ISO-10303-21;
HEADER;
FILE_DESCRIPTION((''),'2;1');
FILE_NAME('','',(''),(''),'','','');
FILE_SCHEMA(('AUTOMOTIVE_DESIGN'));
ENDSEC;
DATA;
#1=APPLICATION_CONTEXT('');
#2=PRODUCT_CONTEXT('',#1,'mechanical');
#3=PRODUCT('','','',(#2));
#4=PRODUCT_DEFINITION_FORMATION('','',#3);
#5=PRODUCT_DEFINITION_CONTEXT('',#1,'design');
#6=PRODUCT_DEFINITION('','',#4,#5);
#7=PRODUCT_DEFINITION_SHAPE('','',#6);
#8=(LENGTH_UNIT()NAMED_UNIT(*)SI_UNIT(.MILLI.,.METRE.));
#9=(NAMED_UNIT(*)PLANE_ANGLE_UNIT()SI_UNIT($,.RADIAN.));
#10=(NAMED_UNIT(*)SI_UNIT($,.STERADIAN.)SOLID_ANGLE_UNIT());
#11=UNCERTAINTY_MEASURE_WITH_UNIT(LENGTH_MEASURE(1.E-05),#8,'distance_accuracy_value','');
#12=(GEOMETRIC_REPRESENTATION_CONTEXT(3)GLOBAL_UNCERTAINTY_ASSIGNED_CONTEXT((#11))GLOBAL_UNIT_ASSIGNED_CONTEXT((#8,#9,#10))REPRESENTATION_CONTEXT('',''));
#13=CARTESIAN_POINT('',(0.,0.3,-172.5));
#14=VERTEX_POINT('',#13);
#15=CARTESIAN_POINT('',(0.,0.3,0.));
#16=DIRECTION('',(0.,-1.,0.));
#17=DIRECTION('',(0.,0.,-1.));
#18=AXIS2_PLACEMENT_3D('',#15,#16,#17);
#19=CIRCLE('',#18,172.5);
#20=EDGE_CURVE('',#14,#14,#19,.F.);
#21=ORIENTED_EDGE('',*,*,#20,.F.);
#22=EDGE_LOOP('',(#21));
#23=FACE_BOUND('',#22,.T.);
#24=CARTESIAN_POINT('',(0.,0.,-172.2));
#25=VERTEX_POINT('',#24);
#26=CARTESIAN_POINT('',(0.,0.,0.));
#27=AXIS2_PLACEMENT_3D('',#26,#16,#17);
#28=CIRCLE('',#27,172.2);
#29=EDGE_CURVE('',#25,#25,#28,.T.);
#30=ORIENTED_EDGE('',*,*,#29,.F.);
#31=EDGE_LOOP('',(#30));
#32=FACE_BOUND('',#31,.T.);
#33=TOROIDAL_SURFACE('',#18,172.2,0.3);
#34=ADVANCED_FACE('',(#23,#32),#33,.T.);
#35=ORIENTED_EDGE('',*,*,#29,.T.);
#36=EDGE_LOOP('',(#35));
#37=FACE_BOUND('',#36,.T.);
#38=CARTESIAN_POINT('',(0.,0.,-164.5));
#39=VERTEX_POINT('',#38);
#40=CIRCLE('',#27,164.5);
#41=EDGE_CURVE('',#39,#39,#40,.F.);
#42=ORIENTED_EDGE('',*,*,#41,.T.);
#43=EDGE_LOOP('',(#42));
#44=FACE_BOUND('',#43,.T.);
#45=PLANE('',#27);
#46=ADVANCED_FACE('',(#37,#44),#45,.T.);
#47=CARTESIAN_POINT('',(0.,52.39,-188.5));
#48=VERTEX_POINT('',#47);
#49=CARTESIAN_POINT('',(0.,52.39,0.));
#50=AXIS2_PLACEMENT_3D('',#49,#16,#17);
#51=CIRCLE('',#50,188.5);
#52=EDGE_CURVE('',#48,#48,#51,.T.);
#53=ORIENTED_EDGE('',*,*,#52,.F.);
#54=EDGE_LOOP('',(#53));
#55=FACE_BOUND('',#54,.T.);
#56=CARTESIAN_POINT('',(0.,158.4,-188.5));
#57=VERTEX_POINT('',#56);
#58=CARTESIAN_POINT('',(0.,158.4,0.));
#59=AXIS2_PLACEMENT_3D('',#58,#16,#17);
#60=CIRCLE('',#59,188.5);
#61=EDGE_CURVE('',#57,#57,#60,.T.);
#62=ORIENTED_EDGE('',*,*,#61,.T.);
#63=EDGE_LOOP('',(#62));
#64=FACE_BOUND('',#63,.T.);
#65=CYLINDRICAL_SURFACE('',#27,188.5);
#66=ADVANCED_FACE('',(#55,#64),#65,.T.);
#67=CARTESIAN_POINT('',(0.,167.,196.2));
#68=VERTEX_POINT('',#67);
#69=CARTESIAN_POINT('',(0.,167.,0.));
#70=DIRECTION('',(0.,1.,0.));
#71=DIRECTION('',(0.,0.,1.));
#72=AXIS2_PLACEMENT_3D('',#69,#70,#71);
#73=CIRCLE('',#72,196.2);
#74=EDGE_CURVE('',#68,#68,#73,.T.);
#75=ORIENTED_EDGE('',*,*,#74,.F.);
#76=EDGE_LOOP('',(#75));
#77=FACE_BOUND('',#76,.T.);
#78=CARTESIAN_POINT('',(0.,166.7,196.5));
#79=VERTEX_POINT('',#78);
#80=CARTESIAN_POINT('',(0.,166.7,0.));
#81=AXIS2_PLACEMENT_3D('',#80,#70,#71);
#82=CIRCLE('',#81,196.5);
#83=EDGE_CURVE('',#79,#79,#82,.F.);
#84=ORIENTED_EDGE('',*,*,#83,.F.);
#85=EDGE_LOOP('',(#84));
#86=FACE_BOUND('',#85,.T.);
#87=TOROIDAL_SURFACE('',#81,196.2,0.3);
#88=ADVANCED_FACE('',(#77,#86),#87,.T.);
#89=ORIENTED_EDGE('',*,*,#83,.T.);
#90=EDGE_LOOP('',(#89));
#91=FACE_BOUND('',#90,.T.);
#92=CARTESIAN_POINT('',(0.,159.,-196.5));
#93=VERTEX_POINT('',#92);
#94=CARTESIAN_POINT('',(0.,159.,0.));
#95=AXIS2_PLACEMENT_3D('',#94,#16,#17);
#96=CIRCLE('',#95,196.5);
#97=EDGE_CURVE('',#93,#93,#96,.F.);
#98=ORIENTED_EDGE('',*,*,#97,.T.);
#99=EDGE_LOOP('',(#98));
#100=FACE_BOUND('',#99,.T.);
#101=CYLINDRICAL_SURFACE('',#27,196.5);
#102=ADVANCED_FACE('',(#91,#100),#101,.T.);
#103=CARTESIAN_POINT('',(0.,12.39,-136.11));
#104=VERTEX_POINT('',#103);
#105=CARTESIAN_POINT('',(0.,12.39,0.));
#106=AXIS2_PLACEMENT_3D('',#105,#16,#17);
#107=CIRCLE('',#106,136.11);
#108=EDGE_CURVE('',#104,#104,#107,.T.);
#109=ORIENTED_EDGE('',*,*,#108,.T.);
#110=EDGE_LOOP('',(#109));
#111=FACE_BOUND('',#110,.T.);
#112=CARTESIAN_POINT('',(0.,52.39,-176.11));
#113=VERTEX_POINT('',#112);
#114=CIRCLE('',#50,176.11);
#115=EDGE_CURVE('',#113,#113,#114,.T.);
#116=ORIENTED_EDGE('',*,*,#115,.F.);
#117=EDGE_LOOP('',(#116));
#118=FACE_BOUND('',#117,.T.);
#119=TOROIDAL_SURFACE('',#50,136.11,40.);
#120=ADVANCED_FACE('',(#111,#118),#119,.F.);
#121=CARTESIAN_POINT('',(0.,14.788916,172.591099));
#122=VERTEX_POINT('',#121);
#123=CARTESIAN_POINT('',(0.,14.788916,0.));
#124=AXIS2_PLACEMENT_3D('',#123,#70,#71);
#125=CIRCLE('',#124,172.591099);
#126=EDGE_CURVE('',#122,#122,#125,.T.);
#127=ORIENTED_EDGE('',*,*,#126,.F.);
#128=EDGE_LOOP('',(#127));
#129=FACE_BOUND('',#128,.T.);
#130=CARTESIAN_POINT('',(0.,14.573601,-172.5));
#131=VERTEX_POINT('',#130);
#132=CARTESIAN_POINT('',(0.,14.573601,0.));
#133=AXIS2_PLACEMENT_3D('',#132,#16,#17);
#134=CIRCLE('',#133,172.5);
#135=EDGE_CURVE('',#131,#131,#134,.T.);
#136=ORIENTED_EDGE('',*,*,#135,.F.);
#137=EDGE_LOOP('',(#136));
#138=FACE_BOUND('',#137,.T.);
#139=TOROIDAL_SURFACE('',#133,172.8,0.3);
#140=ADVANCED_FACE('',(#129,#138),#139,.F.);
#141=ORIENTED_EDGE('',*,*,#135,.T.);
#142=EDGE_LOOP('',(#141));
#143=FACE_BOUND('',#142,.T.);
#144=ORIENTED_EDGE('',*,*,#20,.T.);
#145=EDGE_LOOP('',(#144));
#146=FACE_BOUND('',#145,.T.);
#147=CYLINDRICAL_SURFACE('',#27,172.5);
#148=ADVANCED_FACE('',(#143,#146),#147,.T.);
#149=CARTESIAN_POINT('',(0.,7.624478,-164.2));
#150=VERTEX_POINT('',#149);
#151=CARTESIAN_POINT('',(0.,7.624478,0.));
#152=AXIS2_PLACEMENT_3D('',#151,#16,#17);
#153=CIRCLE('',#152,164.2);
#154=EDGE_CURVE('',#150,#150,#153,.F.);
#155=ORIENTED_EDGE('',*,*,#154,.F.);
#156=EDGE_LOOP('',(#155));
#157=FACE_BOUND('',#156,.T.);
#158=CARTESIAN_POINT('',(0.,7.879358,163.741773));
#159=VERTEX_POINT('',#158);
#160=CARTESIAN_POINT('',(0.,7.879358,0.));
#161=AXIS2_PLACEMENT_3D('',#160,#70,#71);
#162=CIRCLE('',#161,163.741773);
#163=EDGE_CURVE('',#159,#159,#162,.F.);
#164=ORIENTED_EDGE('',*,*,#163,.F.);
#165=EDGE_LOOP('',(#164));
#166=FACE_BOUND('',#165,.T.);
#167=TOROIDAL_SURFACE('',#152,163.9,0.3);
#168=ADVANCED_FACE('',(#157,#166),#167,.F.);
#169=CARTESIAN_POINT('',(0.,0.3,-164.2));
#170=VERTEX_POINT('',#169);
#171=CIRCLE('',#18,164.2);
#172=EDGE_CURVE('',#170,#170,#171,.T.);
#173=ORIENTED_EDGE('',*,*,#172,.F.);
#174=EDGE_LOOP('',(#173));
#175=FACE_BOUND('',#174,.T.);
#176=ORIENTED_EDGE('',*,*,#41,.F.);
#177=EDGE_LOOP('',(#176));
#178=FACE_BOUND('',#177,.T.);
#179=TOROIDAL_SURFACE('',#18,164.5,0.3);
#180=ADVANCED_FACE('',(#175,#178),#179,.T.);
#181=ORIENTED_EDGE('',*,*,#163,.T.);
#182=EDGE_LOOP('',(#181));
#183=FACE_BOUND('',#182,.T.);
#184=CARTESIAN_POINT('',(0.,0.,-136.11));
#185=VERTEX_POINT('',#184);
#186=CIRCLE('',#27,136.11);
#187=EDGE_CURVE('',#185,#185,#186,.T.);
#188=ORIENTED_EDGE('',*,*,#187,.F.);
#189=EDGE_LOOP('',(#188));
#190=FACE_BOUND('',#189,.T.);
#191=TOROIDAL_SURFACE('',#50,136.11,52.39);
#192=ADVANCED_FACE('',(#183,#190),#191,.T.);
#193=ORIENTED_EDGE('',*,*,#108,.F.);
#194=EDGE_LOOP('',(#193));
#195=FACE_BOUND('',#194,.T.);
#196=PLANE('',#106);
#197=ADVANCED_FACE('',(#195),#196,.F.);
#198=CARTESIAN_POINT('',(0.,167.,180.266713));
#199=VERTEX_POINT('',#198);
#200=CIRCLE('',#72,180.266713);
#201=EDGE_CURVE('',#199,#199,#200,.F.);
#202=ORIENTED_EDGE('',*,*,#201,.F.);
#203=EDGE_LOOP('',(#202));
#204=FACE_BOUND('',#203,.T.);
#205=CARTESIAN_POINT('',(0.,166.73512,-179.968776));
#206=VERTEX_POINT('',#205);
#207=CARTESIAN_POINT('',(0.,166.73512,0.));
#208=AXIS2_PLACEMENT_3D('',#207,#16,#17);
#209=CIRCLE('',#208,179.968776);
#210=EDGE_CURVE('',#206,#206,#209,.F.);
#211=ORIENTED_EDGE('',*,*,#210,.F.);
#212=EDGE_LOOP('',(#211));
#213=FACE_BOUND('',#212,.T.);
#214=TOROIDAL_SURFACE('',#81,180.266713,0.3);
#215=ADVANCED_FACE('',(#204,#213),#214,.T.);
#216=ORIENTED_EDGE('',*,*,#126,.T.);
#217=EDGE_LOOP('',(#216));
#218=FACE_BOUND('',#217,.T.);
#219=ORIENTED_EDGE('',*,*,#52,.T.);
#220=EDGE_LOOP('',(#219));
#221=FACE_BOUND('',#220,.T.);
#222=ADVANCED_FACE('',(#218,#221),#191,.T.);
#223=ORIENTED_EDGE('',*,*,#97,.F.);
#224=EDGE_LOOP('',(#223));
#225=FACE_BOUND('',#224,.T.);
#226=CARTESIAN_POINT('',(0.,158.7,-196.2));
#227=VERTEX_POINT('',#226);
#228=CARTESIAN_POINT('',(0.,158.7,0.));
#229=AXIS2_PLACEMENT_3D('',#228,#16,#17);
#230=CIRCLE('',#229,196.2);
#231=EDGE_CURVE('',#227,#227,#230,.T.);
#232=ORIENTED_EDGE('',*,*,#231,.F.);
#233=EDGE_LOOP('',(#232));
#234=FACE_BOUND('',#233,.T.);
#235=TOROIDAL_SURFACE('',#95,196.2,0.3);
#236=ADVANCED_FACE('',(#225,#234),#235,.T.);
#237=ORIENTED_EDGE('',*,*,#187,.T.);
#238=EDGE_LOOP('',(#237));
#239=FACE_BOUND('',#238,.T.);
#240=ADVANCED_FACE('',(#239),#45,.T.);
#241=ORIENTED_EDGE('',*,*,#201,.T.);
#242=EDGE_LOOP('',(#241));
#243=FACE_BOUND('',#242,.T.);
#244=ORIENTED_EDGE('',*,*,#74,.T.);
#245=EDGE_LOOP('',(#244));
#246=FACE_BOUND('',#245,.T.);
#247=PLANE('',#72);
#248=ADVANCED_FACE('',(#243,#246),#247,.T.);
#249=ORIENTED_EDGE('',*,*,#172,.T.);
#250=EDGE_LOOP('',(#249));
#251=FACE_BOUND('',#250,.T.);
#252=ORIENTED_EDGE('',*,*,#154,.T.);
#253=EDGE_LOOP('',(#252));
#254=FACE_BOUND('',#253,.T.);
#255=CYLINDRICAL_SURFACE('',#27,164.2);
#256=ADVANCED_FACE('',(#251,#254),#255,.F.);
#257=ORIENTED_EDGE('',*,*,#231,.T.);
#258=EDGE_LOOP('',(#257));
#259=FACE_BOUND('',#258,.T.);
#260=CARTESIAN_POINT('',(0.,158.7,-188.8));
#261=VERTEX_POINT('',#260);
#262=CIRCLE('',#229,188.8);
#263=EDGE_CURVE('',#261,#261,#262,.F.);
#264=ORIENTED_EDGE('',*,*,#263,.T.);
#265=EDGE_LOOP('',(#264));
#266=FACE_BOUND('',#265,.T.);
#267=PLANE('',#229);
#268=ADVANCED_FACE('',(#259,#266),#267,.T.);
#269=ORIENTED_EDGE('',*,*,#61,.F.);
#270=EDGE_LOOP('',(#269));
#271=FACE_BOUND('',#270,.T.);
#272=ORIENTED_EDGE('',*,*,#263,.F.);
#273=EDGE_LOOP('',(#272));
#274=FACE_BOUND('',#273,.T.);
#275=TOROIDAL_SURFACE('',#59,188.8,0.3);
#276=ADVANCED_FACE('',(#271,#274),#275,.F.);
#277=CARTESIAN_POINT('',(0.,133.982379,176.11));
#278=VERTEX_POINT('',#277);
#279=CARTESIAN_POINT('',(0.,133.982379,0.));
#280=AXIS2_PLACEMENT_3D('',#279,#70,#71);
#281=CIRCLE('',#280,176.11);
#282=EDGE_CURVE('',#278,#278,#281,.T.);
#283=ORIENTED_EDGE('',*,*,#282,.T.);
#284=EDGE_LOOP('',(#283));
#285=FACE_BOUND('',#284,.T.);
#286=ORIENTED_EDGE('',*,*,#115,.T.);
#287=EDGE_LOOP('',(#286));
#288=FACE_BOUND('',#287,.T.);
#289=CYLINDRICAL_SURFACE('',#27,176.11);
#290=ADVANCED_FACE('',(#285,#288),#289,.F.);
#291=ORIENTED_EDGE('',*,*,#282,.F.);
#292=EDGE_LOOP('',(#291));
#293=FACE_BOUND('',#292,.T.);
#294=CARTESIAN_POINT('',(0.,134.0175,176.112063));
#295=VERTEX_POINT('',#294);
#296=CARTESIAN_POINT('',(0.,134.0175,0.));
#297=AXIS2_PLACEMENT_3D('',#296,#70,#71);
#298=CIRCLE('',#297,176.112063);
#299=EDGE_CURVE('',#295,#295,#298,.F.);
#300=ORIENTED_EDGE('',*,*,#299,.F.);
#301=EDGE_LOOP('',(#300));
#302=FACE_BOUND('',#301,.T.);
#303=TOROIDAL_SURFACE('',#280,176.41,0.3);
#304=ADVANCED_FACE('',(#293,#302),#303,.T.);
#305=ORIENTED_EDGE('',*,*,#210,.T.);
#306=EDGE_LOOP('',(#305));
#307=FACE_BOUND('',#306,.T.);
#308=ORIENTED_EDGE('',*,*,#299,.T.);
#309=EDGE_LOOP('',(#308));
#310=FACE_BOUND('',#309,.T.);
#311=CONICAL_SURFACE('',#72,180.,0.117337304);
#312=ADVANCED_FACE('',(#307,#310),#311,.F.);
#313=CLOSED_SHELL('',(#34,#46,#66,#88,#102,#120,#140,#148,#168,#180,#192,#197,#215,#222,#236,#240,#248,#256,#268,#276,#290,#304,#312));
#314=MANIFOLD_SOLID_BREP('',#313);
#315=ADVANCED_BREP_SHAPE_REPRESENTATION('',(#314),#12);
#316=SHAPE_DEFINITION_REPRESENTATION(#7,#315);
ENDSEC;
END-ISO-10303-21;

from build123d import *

# Parameters (mm, degrees)
FILLET1_R = 0.3


with BuildPart() as part:
    # Sketch1 → Revolve1 (revolve)
    with BuildSketch(Plane.XY, mode=Mode.PRIVATE) as revolve1_sk:
        with BuildLine():
            ThreePointArc((136.11, 12.39), (164.394271247, 24.105728753), (176.11, 52.39))
            Line((176.11, 52.39), (176.11, 134))
            Line((176.11, 134), (180, 167))
            Line((180, 167), (196.5, 167))
            Line((196.5, 167), (196.5, 158.7))
            Line((196.5, 158.7), (188.5, 158.7))
            Line((188.5, 158.7), (188.5, 52.39))
            ThreePointArc((188.5, 52.39), (173.155324266, 15.344675734), (136.11, 0))
            Line((136.11, 0), (0, 0))
            Line((0, 0), (0, 12.39))
            Line((0, 12.39), (136.11, 12.39))
        make_face()
        with BuildLine():
            ThreePointArc((172.5, 14.700744237), (168.515087472, 11.224208305), (164.2, 8.167109999))
            Line((164.2, 8.167109999), (164.2, 0))
            Line((164.2, 0), (172.5, 0))
            Line((172.5, 0), (172.5, 14.700744237))
        make_face()
    revolve(revolve1_sk.sketch.rotate(Axis((0, 0, 0), (0, 1, 0)), 90), axis=Axis((0, 0, 0), (0, 1, 0)))

    # Fillet1
    fillet1_edges = [part.edges().sort_by_distance(p)[0] for p in [
        (0, 134, 176.11),
        (0, 167, 180),
        (0, 167, 196.5),
        (0, 158.7, 196.5),
        (0, 158.7, 188.5),
        (0, 14.700744237, 172.5),
        (0, 0, 172.5),
        (0, 0, 164.2),
        (0, 8.167109999, 164.2),
    ]]
    fillet(fillet1_edges, radius=FILLET1_R)


solid = part.part
